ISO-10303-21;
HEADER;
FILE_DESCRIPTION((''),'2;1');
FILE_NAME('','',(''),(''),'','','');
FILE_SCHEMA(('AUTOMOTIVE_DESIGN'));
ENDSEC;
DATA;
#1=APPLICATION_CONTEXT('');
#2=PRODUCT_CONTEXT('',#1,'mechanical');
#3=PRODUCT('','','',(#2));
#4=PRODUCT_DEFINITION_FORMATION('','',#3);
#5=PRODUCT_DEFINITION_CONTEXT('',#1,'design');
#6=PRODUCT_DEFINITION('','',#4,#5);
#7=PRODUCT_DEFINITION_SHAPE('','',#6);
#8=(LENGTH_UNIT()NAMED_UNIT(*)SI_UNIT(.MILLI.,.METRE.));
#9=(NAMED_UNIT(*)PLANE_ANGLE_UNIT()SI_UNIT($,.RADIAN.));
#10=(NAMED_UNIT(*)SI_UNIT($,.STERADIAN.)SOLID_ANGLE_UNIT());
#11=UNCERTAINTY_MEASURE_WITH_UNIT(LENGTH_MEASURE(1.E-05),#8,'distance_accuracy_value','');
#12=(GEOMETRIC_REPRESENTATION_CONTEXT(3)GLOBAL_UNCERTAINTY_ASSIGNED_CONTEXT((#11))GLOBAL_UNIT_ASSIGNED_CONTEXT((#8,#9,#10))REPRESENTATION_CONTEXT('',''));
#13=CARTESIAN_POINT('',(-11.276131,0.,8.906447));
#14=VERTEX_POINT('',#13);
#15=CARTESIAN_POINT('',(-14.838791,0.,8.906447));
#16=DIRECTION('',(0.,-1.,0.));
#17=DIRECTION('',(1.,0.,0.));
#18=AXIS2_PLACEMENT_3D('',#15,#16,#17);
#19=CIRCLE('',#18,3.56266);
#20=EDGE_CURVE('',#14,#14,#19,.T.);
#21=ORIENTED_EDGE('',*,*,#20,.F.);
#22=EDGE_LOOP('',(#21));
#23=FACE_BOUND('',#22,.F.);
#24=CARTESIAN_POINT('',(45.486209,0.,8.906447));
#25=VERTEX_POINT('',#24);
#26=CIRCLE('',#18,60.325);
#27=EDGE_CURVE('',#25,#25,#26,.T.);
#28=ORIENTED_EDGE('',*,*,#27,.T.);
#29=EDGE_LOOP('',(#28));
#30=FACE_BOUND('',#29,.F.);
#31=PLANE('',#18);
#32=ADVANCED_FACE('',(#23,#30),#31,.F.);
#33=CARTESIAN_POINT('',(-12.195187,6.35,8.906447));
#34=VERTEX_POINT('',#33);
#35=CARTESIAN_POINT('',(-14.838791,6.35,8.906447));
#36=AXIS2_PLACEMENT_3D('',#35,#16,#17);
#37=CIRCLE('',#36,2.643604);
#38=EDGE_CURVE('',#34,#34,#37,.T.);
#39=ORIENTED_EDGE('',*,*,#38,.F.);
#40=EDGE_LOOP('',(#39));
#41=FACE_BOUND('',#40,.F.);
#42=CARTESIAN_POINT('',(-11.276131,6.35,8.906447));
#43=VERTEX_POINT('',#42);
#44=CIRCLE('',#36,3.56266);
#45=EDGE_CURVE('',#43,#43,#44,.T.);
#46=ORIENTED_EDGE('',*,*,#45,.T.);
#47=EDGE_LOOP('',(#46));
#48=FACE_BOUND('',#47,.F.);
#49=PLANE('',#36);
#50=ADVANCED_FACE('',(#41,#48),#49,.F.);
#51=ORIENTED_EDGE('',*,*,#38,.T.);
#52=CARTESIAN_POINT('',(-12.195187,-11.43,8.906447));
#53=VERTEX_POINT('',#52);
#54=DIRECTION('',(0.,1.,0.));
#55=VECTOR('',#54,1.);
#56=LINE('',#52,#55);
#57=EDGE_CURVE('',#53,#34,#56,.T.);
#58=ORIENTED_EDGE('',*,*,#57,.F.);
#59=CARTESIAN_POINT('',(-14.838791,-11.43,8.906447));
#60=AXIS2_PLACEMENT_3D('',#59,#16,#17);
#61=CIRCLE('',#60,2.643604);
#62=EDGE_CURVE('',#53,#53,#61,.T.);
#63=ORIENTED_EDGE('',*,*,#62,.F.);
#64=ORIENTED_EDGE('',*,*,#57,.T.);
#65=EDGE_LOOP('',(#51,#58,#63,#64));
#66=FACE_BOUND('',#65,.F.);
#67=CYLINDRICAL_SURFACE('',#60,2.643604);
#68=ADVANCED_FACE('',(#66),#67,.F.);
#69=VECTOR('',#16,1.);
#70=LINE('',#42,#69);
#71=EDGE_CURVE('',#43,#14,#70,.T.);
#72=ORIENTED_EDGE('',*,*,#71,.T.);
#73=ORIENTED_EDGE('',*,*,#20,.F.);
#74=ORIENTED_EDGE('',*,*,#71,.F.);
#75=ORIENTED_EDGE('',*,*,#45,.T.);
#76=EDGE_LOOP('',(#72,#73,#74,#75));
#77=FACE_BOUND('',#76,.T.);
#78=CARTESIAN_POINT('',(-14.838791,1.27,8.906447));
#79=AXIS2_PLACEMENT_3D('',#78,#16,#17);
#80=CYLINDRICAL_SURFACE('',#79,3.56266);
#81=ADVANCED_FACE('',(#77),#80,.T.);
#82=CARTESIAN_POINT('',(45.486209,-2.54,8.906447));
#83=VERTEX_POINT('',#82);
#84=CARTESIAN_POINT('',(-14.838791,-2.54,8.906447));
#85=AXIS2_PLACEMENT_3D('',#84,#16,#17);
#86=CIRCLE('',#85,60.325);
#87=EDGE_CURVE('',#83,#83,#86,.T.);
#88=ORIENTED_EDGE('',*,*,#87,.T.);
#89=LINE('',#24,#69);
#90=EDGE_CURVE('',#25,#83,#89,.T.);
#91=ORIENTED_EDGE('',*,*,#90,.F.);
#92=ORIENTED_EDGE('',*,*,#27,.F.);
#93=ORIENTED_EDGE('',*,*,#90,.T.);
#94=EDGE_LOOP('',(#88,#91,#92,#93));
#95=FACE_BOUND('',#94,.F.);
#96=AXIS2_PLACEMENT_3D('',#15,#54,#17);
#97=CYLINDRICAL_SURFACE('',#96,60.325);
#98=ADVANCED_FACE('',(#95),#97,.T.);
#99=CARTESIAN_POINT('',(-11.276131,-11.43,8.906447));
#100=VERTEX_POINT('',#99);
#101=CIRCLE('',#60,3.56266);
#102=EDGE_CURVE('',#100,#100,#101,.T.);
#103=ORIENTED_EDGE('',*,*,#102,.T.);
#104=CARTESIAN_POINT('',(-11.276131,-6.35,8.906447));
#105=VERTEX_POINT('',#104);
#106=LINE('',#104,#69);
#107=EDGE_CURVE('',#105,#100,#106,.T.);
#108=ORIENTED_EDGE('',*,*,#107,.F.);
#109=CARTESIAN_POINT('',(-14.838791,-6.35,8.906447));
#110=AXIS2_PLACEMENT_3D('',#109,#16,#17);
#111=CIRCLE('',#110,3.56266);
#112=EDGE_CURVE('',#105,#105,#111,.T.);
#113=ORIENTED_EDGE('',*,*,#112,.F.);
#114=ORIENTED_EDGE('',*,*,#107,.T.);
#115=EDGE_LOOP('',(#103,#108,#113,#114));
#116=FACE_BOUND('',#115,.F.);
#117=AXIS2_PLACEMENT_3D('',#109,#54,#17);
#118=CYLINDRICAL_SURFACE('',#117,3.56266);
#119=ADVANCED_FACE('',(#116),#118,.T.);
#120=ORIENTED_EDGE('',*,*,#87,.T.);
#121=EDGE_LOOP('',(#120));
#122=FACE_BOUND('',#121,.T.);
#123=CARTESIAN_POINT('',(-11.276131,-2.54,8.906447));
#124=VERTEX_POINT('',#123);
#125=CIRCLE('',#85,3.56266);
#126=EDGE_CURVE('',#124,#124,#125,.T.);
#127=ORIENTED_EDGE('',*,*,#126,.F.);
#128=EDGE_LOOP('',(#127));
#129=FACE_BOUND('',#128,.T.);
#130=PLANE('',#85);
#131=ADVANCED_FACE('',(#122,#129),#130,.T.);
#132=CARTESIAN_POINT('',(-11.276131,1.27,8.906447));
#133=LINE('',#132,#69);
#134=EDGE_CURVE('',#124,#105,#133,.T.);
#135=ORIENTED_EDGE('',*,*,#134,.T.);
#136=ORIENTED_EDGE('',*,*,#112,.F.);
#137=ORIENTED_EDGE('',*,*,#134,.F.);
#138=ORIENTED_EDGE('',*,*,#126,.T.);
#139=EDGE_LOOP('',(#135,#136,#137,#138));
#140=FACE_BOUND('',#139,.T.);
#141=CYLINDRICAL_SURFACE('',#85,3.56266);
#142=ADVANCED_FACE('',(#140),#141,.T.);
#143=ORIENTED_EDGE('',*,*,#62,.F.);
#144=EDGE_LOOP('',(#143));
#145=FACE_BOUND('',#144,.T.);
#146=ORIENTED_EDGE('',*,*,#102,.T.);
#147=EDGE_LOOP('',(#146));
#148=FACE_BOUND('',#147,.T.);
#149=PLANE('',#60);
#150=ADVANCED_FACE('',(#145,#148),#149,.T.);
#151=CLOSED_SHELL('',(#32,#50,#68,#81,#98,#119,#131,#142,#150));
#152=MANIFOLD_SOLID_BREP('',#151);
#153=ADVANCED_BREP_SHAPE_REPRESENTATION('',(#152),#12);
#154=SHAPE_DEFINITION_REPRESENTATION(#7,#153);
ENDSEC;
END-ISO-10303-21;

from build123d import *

# Parameters (mm, degrees)
F0_R     = 60.325
F1_DEPTH = 2.54
F2_R     = 3.5626601451
F3_DEPTH = 3.81
F4_DEPTH = 5.08
F5_DEPTH = 5.08
F6_R     = 2.6436042206
F7_DEPTH = 17.781


with BuildPart() as f1:
    # F0 (on Front) → F1 (new body)
    with BuildSketch(Plane.XZ):
        with Locations((-14.8387914523, 8.9064473286)):
            Circle(F0_R)
    extrude(amount=F1_DEPTH)

    # F2 (on face) → F3 (join, symmetric)
    with BuildSketch(Plane.XZ.offset(2.54)):
        with Locations((-14.8387914523, 8.9064473286)):
            Circle(F2_R)
    extrude(amount=F3_DEPTH, both=True)

    # F4 (add): a face of the model
    f4_faces = [f1.faces().sort_by_distance(p)[0] for p in [
        (-14.8387914523, 1.27, 8.9064473286),
    ]]
    extrude(f4_faces, amount=F4_DEPTH)

    # F5 (add): a face of the model
    f5_faces = [f1.faces().sort_by_distance(p)[0] for p in [
        (-14.8387914523, -6.35, 8.9064473286),
    ]]
    extrude(f5_faces, amount=F5_DEPTH)

    # F6 (on face) → F7 (cut, through all)
    with BuildSketch(Plane.XZ.offset(11.43)):
        with Locations((-14.8387914523, 8.9064473286)):
            Circle(F6_R)
    extrude(amount=-F7_DEPTH, mode=Mode.SUBTRACT)


solid = f1.part
